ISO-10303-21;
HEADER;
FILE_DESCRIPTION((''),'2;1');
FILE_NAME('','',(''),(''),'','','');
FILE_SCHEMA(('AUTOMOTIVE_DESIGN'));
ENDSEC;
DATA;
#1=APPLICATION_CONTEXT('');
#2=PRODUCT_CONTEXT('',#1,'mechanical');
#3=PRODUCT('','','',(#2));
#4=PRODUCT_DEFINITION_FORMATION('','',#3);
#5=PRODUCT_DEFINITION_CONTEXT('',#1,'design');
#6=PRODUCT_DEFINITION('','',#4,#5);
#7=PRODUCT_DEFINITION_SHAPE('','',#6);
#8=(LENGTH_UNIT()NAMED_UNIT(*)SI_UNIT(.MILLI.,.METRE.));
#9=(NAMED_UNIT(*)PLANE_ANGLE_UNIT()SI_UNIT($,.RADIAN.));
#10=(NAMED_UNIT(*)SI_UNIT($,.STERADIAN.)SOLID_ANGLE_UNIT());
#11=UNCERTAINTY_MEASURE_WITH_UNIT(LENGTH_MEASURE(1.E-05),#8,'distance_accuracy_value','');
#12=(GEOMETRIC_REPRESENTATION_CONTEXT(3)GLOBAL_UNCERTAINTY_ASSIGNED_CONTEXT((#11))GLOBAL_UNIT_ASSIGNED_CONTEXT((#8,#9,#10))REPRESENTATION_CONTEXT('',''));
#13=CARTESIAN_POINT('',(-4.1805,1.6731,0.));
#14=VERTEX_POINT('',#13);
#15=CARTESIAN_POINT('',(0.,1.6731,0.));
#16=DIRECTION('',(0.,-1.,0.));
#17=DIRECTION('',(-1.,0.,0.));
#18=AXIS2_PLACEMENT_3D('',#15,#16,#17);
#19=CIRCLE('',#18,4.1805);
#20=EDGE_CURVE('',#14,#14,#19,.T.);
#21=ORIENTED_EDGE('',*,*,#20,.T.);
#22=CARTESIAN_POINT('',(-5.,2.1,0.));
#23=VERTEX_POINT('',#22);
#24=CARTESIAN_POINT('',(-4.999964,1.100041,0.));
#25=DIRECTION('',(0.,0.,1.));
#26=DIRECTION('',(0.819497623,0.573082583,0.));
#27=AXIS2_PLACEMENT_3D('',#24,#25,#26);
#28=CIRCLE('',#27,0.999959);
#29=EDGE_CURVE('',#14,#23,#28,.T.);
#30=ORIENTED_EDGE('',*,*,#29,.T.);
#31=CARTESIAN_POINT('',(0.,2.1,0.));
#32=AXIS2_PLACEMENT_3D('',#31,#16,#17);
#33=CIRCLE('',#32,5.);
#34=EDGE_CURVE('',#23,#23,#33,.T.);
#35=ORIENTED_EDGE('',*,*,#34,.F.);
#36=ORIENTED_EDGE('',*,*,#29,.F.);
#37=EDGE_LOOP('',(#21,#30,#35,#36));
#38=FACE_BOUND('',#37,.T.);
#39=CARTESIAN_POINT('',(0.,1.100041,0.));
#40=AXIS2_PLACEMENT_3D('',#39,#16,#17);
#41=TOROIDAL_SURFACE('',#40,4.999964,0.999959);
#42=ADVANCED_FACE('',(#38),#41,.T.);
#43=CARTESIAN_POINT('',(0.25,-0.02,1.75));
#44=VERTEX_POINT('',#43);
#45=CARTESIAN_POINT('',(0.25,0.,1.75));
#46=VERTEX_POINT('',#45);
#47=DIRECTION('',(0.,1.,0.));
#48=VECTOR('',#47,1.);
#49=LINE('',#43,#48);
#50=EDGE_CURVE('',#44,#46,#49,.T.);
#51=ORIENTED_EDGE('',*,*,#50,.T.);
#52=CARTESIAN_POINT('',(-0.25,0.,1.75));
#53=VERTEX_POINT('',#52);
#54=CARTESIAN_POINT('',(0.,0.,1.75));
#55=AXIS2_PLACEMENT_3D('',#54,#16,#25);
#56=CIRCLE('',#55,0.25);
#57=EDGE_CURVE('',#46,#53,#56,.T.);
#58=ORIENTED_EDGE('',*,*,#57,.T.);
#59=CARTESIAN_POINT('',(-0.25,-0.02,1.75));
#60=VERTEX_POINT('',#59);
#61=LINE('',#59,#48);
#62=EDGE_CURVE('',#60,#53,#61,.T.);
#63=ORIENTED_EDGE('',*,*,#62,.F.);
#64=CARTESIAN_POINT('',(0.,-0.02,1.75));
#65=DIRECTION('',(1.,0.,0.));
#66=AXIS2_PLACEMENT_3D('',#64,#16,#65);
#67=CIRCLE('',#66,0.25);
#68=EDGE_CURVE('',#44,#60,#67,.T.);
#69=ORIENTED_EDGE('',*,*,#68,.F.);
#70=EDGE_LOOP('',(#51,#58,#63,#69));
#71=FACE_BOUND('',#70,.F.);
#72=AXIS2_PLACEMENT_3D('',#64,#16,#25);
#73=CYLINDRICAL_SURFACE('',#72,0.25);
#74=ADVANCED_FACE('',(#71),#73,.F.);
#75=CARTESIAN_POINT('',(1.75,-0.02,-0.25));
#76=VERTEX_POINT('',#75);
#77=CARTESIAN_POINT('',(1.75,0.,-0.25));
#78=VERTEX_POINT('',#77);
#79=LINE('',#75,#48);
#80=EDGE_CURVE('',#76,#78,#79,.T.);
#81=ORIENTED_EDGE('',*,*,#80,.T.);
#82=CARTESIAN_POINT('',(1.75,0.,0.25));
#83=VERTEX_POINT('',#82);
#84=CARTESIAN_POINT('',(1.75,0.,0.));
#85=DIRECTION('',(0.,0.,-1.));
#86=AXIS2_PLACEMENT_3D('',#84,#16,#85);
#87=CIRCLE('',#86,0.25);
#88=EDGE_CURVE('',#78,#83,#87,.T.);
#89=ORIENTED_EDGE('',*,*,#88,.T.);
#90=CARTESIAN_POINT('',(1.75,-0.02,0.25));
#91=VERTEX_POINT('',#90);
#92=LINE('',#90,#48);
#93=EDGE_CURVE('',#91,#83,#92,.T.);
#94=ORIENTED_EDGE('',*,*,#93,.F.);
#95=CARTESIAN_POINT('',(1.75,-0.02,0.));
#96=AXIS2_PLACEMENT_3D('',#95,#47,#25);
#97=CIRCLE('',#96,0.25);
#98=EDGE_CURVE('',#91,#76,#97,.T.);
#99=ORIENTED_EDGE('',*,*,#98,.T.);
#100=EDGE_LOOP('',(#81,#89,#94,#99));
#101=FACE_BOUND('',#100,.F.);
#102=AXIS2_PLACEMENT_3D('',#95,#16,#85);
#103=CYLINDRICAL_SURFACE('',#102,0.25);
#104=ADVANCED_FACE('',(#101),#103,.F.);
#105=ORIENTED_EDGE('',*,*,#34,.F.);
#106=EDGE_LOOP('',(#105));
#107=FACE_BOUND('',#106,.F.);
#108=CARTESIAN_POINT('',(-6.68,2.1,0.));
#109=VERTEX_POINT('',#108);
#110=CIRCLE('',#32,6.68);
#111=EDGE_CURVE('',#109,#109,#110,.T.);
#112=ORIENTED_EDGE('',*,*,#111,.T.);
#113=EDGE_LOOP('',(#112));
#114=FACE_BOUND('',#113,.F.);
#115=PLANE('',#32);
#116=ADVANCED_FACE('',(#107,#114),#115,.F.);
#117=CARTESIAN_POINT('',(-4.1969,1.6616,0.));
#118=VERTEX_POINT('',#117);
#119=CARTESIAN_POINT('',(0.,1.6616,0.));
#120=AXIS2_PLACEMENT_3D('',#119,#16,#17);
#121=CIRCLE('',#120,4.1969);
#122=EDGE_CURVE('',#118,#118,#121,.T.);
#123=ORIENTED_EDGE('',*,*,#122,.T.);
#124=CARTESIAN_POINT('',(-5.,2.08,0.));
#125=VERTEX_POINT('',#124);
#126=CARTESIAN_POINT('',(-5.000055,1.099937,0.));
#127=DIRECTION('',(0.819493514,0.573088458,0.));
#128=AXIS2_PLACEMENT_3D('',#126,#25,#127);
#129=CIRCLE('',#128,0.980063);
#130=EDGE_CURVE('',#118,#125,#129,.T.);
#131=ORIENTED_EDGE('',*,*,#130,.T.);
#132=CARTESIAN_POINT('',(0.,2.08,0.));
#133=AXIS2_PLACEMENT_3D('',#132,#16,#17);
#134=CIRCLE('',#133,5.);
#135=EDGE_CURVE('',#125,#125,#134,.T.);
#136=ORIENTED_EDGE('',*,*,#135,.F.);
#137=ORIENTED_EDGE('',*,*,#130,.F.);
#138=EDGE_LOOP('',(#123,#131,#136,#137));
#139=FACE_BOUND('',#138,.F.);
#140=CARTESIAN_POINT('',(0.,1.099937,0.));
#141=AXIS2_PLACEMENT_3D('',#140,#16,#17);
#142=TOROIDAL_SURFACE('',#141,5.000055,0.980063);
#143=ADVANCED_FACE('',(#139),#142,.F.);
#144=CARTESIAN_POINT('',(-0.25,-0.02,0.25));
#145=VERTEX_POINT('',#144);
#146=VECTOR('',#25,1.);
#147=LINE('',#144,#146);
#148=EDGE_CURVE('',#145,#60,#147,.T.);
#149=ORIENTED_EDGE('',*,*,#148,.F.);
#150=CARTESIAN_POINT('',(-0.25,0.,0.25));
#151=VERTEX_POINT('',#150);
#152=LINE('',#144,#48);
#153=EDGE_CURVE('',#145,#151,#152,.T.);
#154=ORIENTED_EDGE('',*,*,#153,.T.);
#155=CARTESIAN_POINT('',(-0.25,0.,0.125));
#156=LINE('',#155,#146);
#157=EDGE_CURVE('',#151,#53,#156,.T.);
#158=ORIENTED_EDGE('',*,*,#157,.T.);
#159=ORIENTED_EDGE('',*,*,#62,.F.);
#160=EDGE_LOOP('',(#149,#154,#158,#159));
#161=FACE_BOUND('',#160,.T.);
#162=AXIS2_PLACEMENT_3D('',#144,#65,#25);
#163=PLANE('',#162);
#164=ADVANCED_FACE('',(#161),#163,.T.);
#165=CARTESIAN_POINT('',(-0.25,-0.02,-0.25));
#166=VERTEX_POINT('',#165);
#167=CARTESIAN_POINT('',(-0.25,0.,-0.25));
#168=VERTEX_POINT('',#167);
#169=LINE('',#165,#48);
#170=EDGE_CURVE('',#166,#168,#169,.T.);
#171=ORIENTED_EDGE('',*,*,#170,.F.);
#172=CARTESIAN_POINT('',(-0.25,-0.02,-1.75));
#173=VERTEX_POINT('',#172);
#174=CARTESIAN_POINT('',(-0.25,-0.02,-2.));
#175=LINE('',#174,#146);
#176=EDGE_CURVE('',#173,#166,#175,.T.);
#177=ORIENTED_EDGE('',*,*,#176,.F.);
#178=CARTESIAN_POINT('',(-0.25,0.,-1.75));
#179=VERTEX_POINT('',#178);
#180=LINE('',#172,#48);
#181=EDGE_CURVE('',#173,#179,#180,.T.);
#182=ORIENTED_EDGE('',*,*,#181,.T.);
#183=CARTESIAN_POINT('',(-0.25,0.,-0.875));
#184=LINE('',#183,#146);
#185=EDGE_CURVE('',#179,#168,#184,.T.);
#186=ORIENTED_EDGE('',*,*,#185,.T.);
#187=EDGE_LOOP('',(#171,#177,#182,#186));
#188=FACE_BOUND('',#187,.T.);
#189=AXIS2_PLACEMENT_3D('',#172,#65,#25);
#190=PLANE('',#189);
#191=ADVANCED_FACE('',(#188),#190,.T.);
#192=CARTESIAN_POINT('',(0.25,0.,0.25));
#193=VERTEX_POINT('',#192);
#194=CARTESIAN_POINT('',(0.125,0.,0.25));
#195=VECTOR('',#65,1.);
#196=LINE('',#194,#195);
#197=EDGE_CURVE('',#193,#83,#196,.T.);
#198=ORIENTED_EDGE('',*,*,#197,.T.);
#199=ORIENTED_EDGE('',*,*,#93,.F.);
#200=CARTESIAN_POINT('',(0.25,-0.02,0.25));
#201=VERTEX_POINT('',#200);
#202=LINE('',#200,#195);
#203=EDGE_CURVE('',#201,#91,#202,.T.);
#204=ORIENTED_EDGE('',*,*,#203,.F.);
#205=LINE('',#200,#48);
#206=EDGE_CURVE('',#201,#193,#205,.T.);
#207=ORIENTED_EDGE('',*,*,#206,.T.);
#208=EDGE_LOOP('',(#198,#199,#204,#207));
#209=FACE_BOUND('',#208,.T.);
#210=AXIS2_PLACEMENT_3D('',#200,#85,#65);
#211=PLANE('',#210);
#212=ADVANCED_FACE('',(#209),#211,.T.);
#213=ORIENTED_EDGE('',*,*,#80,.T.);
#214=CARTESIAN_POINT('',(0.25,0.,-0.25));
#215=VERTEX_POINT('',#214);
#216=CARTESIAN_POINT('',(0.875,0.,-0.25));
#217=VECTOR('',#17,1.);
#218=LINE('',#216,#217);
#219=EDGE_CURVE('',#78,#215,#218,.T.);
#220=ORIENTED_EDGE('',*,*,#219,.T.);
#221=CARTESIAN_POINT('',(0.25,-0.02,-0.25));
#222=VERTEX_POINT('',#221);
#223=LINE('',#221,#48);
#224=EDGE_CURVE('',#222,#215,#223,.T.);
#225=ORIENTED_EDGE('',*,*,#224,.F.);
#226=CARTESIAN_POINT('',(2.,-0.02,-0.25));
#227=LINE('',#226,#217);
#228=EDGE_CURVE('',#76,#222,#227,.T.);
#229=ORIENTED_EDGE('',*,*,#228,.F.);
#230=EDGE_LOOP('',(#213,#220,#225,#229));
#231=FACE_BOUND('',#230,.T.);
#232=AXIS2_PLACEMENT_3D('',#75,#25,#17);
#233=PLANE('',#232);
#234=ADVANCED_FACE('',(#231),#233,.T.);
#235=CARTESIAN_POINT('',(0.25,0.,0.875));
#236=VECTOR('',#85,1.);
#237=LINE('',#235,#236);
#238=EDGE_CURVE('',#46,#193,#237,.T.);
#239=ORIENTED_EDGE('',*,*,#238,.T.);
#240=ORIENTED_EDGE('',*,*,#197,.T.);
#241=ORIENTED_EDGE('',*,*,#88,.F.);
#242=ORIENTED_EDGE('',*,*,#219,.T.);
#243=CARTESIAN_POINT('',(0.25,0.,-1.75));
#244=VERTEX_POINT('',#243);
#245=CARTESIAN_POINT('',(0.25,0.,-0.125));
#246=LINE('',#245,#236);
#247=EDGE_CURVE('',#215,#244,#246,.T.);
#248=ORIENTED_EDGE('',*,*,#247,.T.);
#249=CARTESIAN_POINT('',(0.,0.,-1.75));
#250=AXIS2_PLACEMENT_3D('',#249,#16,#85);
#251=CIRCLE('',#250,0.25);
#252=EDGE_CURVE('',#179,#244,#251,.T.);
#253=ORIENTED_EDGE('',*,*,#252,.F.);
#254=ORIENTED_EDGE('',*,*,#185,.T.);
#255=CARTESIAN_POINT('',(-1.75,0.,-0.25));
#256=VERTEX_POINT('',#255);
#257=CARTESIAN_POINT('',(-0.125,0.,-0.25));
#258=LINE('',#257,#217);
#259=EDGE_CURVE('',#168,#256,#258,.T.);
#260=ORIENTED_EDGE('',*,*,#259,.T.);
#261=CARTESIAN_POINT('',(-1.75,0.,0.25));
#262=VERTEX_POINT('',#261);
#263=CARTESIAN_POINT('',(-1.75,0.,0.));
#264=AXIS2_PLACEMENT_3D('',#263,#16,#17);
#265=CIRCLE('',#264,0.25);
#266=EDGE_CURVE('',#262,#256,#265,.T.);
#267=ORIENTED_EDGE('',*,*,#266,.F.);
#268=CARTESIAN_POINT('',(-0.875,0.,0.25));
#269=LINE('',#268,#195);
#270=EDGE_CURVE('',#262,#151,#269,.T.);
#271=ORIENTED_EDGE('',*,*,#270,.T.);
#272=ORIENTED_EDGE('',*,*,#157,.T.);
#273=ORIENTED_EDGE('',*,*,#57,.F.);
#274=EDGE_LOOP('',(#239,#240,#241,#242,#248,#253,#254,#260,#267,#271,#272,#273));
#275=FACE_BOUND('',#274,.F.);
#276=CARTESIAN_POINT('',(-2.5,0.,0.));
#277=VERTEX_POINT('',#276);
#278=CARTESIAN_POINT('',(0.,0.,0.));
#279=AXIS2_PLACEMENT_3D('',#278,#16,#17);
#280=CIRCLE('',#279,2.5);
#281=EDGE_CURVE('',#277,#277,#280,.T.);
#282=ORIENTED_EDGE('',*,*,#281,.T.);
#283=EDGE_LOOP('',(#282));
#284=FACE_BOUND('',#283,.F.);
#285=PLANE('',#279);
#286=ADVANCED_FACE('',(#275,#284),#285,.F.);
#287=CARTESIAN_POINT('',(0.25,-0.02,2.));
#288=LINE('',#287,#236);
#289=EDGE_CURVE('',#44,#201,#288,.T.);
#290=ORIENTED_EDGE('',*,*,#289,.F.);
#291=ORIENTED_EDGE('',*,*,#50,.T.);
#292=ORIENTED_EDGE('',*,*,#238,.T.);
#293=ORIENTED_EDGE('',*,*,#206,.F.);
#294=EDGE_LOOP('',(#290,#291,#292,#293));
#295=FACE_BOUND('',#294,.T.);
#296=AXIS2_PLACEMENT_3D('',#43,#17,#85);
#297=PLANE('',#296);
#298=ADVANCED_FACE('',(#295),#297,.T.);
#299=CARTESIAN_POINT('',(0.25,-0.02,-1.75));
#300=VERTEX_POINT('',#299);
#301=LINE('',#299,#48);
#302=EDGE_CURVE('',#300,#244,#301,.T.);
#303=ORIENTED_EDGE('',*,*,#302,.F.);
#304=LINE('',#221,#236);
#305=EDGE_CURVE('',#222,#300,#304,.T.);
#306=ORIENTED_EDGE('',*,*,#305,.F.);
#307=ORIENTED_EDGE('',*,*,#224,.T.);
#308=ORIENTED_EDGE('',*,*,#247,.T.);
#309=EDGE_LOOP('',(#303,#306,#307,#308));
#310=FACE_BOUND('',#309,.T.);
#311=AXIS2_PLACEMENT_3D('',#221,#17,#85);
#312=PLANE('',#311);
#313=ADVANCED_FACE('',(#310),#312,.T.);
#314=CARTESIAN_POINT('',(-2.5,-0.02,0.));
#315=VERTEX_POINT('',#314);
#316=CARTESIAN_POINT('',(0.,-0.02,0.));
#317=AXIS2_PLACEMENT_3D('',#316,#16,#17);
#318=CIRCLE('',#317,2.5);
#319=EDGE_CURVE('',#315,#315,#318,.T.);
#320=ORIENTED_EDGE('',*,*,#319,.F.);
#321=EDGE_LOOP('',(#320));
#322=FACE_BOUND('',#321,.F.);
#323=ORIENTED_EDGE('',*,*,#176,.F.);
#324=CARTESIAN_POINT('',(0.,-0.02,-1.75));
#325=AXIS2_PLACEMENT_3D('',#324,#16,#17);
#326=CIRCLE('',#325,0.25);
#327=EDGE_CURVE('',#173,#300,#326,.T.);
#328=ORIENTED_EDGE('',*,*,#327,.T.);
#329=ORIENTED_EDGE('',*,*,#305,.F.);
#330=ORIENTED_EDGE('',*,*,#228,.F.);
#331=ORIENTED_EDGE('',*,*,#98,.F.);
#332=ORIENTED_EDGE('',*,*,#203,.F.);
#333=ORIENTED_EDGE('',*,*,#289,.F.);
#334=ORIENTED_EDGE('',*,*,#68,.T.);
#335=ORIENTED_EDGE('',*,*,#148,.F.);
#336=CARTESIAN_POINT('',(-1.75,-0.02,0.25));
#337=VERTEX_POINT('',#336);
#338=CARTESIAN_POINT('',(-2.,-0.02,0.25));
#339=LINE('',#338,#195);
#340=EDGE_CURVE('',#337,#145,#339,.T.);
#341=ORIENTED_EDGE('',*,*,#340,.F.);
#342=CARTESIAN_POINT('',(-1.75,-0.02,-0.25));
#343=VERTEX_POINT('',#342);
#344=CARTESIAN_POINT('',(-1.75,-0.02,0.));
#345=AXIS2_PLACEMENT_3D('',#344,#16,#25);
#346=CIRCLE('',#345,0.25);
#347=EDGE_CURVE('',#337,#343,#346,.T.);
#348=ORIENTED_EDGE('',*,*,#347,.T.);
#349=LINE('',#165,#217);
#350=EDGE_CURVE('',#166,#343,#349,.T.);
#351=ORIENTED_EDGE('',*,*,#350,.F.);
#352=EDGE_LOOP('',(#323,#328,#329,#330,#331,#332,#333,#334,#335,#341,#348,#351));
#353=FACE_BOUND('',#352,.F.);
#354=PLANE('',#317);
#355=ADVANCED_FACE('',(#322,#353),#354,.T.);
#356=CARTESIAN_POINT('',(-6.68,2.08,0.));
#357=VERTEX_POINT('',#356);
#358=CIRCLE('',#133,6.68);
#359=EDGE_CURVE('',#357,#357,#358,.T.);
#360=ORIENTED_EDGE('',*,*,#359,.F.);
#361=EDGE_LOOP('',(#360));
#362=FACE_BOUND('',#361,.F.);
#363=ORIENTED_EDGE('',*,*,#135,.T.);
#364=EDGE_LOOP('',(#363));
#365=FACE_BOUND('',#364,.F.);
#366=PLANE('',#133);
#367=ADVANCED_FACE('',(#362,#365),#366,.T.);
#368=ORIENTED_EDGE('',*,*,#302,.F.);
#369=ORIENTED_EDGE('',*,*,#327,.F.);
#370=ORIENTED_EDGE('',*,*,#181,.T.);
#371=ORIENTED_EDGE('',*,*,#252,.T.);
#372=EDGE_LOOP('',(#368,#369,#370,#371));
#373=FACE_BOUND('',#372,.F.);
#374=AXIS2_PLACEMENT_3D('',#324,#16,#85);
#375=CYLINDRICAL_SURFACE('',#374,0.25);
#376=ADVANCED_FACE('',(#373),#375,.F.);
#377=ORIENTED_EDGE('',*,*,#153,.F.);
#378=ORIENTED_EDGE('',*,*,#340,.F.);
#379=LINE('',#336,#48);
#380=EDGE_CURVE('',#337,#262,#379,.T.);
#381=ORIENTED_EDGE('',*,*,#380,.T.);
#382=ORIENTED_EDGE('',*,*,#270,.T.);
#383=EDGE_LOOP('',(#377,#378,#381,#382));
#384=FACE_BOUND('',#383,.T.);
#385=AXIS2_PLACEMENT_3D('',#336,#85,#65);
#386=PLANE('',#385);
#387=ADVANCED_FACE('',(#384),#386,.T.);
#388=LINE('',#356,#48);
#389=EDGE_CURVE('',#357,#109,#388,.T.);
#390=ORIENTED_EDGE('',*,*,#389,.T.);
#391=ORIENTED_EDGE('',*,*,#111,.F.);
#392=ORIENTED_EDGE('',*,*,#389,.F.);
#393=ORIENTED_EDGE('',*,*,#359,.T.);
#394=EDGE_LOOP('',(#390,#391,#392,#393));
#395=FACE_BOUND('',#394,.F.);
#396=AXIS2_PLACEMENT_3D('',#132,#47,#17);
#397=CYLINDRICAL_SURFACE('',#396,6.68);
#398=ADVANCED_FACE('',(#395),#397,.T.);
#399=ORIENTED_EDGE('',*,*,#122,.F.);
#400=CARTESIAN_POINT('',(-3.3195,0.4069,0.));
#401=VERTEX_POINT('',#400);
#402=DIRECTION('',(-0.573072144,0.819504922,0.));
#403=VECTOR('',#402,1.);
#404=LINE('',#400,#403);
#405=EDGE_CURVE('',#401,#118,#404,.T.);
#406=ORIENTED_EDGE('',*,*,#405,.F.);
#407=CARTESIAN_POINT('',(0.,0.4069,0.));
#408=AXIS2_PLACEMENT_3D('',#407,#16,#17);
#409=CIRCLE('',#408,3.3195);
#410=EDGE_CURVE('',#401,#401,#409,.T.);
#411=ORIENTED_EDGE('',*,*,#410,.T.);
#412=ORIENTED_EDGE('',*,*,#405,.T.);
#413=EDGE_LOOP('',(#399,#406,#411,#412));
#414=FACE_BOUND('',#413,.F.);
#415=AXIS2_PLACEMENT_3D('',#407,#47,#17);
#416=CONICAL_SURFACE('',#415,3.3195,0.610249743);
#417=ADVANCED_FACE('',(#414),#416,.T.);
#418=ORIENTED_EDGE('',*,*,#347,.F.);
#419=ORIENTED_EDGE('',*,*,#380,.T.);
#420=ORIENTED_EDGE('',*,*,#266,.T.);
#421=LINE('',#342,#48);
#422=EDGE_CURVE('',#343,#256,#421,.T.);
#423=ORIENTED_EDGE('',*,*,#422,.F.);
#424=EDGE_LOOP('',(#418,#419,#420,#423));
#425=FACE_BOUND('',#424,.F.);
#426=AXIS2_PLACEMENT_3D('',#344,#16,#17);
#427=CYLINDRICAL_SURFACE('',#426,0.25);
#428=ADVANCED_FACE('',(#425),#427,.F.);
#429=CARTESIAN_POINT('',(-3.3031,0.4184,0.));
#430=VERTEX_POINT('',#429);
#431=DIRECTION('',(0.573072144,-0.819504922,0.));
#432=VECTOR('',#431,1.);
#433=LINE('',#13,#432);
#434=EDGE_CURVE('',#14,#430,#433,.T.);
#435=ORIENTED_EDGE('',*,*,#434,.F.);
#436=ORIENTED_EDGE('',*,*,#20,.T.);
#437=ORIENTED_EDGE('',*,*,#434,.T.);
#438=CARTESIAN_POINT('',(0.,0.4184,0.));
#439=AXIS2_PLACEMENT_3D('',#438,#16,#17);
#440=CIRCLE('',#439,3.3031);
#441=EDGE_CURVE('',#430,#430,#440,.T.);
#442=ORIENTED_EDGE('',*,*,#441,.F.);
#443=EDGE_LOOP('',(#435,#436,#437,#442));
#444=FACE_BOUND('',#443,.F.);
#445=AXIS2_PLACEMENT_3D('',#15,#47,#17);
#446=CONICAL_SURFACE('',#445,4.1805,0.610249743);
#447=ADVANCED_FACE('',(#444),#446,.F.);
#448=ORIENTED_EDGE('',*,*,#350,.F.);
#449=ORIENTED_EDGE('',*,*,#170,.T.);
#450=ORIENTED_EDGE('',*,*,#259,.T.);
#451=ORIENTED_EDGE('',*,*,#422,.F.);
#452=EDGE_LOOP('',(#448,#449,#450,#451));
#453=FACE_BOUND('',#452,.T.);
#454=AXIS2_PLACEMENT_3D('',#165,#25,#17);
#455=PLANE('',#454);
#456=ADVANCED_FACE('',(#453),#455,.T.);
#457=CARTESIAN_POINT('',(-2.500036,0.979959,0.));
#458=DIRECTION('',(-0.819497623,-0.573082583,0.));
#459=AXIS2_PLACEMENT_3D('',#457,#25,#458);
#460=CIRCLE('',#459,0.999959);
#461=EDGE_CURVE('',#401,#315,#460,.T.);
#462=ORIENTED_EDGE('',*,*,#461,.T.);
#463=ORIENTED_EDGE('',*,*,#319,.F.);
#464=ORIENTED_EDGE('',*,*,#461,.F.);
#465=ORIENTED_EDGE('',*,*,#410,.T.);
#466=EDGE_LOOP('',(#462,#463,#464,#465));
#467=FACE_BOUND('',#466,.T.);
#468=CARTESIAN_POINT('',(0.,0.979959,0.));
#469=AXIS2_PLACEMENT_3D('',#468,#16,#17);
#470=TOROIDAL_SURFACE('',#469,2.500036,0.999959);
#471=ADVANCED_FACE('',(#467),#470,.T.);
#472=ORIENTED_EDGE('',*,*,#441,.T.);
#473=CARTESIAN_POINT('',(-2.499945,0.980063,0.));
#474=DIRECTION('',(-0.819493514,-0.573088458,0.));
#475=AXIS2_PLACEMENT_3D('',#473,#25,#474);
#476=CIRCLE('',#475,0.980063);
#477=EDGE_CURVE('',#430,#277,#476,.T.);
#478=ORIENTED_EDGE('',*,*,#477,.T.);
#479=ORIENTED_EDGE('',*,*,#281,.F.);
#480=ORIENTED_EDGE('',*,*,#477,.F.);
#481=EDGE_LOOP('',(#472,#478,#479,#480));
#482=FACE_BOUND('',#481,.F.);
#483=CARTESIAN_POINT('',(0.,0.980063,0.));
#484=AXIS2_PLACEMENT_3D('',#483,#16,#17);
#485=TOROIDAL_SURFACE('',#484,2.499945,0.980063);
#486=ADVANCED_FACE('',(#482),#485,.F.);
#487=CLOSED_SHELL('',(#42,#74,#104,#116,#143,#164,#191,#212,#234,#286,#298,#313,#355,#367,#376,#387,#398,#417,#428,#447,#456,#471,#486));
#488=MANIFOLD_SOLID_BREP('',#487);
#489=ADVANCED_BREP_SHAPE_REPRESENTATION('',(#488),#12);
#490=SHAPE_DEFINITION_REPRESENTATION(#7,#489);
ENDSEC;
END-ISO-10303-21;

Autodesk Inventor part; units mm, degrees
ref_plane "YZ Plane" through (0, 0, 0) normal (1, 0, 0) x (0, 1, 0)
ref_plane "XZ Plane" through (0, 0, 0) normal (0, 1, 0) x (-1, 0, 0)
ref_plane "XY Plane" through (0, 0, 0) normal (0, 0, 1) x (1, 0, 0)
sketch "Skizze1" plane through (0, 0, 0) normal (0, 0, 1) x (1, 0, 0)
  line L0 (0, 0) -> (0, -0.02)
  line L1 (0, -0.02) -> (-2.5, -0.02)
  arc A0 (-3.3195, 0.4069) -> (-2.5, -0.02) centre (-2.5, 0.98) ccw
  line L2 (-3.3195, 0.4069) -> (-4.1969, 1.6616)
  arc A1 (-4.1969, 1.6616) -> (-5, 2.08) centre (-5, 1.1) ccw
  line L3 (-5, 2.08) -> (-6.68, 2.08)
  line L4 (-6.68, 2.08) -> (-6.68, 2.1)
  line L5 (-6.68, 2.1) -> (-5, 2.1)
  arc A2 (-4.1805, 1.6731) -> (-5, 2.1) centre (-5, 1.1) ccw
  line L6 (-4.1805, 1.6731) -> (-3.3031, 0.4184)
  line L7 (-2.5, 0) -> (0, 0)
  arc A3 (-3.3031, 0.4184) -> (-2.5, 0) centre (-2.5, 0.98) ccw
  dimension "d0" = 0.02
  dimension "d2" = 10
  dimension "d3" = 0.02
  dimension "d4" = 1
  dimension "d5" = 2.1
  dimension "d6" = 5
revolve "Umdrehung1" add sketch "Skizze1" angle 360 about axis through (0, 0, 0) along (0, -1, 0)
sketch "Skizze2" plane through (0, -0.02, 0) normal (0, -1, 0) x (1, 0, 0)
  line L0 (0, 0) -> (0, 2)
  line L1 (0, 2) -> (0.25, 2)
  line L2 (0.25, 2) -> (0.25, 0.25)
  line L3 (0.25, 0.25) -> (2, 0.25)
  line L4 (2, 0.25) -> (2, 0)
  line L5 (2, 0) -> (0, 0)
  arc A0 (2, 0) -> (1.75, 0.25) centre (1.75, 0) ccw
  arc A1 (0.25, 1.75) -> (0, 2) centre (0, 1.75) ccw
  arc A2 (-1.75, 0.25) -> (-2, 0) centre (-1.75, 0) ccw
  line L6 (-2, 0.25) -> (-0.25, 0.25)
  line L7 (-0.25, 2) -> (0, 2)
  arc A3 (0, 2) -> (-0.25, 1.75) centre (0, 1.75) ccw
  line L8 (-0.25, 0.25) -> (-0.25, 2)
  line L9 (-2, 0) -> (-2, 0.25)
  arc A4 (-0.25, -1.75) -> (0, -2) centre (0, -1.75) ccw
  line L10 (-0.25, -2) -> (-0.25, -0.25)
  line L11 (-2, -0.25) -> (-2, 0)
  arc A5 (-2, 0) -> (-1.75, -0.25) centre (-1.75, 0) ccw
  line L12 (-0.25, -0.25) -> (-2, -0.25)
  line L13 (0, -2) -> (-0.25, -2)
  arc A6 (1.75, -0.25) -> (2, 0) centre (1.75, 0) ccw
  line L14 (2, -0.25) -> (0.25, -0.25)
  line L15 (0.25, -2) -> (0, -2)
  arc A7 (0, -2) -> (0.25, -1.75) centre (0, -1.75) ccw
  line L16 (0.25, -0.25) -> (0.25, -2)
  line L17 (2, 0) -> (2, -0.25)
  point P0 (0, 2)
  point P1 (-2, 0)
  point P2 (0, -2)
  dimension "d8" = 4
  dimension "d9" = 0.5
  dimension "d12" = 360
extrude "Extrusion1" cut sketch "Skizze2" against normal through all contours L5 A6 L14 L16 A7 A4 L10 L12 A5 A2 L6 L8 A3 L0 | L0 A1 L2 L3 A0 L5
equation "\"d3\" = d0"
equation "\"Biegeradius\" = Stärke"
equation "\"BreiteBiegungsfreistellung\" = Stärke"
equation "\"TiefeBiegungsfreistellung\" = 0.5 * Stärke"
equation "\"GrößeEckenfreistellung\" = 4 * Stärke"
equation "\"MinimalRest\" = 2 * Stärke"
equation "\"Übergangsradius\" = Biegeradius"
equation "\"JacobiRadiusGröße\" = Biegeradius"
equation "\"Abstandsgröße\" = Stärke"
equation "\"Stärke\" = 0.5"
